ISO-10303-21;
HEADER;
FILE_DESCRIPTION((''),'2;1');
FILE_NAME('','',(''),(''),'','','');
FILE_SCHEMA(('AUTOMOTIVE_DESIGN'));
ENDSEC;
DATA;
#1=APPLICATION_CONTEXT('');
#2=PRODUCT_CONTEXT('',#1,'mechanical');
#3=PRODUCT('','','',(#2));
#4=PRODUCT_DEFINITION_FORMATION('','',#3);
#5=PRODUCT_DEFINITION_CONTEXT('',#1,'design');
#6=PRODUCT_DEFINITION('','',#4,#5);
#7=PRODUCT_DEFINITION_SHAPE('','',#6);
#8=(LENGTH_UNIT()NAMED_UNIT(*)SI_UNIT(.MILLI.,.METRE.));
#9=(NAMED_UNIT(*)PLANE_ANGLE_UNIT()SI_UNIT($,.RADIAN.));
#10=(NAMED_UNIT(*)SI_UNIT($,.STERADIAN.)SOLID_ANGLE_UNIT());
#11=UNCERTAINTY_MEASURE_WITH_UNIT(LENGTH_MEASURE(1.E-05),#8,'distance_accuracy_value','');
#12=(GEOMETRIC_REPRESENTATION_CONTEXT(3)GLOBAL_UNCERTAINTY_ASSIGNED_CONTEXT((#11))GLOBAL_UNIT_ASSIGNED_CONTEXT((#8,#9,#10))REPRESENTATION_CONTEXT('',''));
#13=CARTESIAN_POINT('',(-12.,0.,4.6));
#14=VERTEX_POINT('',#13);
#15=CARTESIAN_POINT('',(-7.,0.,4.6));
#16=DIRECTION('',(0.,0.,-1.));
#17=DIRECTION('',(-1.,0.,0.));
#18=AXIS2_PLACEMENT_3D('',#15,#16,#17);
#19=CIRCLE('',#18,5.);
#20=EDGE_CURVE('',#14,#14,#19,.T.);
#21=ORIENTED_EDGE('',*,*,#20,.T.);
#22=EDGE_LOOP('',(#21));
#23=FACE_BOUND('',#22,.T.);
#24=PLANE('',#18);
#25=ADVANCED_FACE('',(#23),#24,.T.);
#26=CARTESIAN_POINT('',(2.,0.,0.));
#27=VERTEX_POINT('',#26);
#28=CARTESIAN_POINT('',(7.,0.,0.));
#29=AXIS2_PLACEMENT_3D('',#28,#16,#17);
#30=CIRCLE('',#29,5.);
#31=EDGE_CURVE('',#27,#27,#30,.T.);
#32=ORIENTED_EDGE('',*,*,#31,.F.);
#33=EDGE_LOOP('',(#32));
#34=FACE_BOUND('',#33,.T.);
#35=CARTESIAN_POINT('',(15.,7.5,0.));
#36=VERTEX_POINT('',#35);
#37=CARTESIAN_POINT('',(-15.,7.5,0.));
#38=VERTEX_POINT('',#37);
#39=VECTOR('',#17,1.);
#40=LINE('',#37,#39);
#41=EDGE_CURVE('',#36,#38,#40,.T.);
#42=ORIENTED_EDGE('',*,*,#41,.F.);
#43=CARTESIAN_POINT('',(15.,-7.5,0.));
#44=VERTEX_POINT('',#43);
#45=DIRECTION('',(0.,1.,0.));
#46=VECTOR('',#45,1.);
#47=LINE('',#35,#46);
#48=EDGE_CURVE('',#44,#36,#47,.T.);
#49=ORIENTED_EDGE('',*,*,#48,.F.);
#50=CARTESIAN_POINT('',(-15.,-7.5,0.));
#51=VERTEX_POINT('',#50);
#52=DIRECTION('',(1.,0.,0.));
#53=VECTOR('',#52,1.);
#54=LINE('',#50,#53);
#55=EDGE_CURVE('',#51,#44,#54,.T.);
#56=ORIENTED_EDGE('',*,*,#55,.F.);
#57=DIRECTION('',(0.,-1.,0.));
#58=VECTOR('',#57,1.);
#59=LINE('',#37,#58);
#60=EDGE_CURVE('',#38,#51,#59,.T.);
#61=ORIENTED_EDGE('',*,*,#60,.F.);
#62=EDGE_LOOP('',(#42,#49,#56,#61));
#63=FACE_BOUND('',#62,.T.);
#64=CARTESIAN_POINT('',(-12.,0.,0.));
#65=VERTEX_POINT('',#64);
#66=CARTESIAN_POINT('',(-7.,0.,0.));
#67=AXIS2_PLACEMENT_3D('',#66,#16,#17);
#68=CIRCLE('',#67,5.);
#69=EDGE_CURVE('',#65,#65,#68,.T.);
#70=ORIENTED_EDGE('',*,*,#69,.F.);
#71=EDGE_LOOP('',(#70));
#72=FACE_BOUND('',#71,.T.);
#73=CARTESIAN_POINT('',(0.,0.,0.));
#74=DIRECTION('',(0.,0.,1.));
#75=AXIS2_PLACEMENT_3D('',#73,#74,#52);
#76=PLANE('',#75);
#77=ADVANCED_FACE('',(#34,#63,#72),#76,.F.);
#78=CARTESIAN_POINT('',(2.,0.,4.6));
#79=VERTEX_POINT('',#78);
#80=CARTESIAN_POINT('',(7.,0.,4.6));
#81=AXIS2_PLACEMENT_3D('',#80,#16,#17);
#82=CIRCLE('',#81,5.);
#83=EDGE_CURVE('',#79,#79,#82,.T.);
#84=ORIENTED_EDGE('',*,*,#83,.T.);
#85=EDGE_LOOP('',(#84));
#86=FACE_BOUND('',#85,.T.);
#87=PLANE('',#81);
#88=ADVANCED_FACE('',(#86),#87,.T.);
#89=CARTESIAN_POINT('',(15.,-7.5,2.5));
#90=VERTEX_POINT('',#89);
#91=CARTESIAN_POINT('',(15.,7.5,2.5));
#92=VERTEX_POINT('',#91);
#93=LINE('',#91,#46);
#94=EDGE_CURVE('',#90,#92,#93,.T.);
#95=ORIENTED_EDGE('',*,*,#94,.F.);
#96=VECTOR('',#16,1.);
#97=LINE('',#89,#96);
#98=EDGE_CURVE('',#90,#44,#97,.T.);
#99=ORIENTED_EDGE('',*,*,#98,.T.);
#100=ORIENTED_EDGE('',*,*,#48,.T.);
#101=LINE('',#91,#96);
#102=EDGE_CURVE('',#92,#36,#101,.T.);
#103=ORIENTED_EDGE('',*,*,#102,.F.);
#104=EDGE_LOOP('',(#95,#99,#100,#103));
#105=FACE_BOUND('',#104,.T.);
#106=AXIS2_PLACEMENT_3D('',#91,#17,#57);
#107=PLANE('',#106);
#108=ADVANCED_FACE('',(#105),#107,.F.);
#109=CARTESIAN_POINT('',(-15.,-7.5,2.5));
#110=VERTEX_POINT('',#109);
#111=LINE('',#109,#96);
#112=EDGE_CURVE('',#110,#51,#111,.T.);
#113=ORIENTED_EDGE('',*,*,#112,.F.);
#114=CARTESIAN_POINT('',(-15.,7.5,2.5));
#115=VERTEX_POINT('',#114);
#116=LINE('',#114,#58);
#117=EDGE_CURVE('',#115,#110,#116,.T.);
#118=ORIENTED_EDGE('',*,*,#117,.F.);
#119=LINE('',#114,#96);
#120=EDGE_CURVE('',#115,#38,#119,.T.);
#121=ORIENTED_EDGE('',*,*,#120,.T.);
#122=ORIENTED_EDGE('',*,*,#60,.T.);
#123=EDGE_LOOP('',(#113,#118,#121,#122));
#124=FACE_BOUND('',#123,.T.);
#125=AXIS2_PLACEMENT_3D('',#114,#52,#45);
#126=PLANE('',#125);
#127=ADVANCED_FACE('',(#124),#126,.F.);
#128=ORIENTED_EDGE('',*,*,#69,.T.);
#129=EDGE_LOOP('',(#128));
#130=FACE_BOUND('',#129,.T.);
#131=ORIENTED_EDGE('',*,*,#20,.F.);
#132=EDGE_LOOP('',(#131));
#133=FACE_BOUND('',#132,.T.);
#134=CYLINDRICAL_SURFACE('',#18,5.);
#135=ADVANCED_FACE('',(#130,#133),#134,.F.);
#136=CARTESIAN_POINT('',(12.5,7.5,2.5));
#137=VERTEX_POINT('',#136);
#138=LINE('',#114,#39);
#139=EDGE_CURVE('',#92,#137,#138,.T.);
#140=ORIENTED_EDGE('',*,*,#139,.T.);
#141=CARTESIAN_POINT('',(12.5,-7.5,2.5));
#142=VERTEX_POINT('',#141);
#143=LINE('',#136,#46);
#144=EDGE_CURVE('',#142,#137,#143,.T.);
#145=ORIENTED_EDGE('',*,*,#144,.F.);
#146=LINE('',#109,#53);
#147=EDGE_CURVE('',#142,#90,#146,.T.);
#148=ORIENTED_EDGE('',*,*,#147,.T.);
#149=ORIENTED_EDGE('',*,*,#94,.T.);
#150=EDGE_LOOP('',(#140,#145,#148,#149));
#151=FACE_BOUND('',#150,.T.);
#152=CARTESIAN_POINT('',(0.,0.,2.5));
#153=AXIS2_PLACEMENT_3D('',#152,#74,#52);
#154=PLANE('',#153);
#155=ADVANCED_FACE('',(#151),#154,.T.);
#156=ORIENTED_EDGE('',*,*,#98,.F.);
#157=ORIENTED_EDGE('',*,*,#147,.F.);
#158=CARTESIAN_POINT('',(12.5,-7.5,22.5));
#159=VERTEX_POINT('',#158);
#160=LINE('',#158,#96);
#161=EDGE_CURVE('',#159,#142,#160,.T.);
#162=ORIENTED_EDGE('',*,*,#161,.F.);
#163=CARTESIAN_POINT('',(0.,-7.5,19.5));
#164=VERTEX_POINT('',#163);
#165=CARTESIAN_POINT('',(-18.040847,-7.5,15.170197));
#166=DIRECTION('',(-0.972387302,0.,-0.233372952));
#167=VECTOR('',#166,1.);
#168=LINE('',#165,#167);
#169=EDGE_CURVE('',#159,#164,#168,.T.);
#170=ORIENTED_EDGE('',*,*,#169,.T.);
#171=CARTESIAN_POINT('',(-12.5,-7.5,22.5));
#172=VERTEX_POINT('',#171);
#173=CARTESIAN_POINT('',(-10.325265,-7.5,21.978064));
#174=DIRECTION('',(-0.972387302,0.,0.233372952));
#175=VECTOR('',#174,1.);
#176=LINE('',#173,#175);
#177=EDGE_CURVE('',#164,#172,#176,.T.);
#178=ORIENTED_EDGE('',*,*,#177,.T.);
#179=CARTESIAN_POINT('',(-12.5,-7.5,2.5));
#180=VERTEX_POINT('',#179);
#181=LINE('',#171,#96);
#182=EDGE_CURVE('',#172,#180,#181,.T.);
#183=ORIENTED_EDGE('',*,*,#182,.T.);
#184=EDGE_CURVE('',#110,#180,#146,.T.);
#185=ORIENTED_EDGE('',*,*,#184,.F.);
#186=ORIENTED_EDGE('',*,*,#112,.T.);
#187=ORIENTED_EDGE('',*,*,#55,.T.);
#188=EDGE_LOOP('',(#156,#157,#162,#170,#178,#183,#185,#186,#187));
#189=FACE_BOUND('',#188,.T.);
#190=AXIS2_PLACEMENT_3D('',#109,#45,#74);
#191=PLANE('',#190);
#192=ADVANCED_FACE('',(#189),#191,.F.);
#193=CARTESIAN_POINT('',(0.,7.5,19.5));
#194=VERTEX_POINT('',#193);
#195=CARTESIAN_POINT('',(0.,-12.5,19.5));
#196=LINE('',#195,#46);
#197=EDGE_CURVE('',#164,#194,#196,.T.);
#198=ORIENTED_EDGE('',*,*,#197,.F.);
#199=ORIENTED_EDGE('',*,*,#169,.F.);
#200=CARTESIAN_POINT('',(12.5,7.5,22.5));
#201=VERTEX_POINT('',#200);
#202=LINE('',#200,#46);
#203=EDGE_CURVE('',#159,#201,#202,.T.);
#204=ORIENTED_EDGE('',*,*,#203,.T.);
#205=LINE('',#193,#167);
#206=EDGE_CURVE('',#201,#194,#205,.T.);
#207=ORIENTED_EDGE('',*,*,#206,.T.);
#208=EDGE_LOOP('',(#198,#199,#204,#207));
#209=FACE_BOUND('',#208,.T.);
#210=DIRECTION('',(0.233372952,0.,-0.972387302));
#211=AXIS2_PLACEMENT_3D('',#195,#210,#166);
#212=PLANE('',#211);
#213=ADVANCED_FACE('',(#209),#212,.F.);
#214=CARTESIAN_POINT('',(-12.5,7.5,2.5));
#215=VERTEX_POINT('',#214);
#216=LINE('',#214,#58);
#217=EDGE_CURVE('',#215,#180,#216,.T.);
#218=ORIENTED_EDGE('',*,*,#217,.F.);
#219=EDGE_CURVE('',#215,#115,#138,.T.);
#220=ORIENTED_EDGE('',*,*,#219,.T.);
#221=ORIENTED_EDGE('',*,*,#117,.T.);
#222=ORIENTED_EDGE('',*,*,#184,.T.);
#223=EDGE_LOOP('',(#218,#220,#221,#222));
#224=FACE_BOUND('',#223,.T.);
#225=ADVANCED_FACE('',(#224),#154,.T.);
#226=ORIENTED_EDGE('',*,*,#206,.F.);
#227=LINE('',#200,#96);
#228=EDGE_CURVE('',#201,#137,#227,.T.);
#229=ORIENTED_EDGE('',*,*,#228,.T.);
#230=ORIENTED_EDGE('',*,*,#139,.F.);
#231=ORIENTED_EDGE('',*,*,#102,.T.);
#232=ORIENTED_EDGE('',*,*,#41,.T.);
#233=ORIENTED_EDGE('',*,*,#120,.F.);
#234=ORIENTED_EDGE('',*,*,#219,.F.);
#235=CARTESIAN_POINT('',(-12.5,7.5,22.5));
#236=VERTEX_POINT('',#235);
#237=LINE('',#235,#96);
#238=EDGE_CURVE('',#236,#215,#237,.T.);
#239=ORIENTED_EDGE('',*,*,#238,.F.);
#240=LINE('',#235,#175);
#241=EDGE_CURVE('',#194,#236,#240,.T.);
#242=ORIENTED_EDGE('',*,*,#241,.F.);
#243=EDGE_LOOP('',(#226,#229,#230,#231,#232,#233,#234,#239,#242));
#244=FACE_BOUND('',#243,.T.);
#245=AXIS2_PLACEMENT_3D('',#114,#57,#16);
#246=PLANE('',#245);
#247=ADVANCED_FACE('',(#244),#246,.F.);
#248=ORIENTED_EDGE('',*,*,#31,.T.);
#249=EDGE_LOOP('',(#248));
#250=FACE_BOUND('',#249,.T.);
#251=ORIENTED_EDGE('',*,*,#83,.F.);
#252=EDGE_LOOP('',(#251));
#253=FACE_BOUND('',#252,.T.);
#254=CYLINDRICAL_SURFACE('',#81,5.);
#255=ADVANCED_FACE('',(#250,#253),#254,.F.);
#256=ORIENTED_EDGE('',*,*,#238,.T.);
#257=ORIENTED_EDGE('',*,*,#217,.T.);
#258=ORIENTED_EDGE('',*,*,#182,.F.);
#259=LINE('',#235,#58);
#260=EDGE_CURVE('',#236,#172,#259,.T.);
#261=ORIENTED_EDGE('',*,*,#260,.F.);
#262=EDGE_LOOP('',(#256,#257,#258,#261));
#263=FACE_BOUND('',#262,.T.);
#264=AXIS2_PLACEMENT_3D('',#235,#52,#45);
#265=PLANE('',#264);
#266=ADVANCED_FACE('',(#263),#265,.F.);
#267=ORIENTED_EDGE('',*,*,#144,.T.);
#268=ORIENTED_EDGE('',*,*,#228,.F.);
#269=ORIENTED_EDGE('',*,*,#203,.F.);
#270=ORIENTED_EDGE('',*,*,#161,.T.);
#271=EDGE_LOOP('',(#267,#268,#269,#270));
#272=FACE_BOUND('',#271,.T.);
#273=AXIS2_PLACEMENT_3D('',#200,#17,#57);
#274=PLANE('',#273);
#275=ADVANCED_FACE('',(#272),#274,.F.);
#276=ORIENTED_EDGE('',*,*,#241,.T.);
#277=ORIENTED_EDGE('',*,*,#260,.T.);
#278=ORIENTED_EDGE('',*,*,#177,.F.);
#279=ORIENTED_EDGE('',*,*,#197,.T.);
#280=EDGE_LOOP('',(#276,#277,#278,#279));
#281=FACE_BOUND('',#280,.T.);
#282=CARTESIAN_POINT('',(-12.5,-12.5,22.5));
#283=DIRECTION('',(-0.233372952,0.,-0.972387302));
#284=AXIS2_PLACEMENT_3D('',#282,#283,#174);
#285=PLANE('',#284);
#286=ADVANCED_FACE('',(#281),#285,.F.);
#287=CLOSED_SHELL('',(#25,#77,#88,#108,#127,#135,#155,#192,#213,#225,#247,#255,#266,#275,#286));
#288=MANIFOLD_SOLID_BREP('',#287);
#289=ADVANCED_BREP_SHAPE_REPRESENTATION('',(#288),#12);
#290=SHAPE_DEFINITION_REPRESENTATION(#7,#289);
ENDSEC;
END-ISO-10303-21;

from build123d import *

# Parameters (mm, degrees)
CROQUIS1_W              = 30
CROQUIS1_H              = 15
SALIENTE_EXTRUIR1_DEPTH = 2.5
CROQUIS2_W              = 25
CROQUIS2_H              = 15
SALIENTE_EXTRUIR2_DEPTH = 20
CORTAR_EXTRUIR1_DEPTH   = 20
CROQUIS5_R              = 5
CORTAR_EXTRUIR3_DEPTH   = 4.6


with BuildPart() as part:
    # Croquis1 → Saliente-Extruir1 (new body)
    with BuildSketch(Plane.XY):
        Rectangle(CROQUIS1_W, CROQUIS1_H)
    extrude(amount=SALIENTE_EXTRUIR1_DEPTH)

    # Croquis2 → Saliente-Extruir2 (add)
    with BuildSketch(Plane.XY.offset(2.5)):
        Rectangle(CROQUIS2_W, CROQUIS2_H)
    extrude(amount=SALIENTE_EXTRUIR2_DEPTH)

    # Croquis4 → Cortar-Extruir1 (cut)
    with BuildSketch(Plane(origin=(0, 7.5, 0), x_dir=(1, 0, 0), z_dir=(0, 1, 0))):
        Polygon((-12.5, -22.5), (0, -19.5), (12.5, -22.5), align=None)
    extrude(amount=-CORTAR_EXTRUIR1_DEPTH, mode=Mode.SUBTRACT)

    # Croquis5 → Cortar-Extruir3 (cut)
    with BuildSketch(Plane(origin=(0, 0, 0), x_dir=(-1, 0, 0), z_dir=(0, 0, -1))):
        with Locations((-7, 0)):
            Circle(CROQUIS5_R)
        with Locations((7, 0)):
            Circle(CROQUIS5_R)
    extrude(amount=-CORTAR_EXTRUIR3_DEPTH, mode=Mode.SUBTRACT)


solid = part.part
